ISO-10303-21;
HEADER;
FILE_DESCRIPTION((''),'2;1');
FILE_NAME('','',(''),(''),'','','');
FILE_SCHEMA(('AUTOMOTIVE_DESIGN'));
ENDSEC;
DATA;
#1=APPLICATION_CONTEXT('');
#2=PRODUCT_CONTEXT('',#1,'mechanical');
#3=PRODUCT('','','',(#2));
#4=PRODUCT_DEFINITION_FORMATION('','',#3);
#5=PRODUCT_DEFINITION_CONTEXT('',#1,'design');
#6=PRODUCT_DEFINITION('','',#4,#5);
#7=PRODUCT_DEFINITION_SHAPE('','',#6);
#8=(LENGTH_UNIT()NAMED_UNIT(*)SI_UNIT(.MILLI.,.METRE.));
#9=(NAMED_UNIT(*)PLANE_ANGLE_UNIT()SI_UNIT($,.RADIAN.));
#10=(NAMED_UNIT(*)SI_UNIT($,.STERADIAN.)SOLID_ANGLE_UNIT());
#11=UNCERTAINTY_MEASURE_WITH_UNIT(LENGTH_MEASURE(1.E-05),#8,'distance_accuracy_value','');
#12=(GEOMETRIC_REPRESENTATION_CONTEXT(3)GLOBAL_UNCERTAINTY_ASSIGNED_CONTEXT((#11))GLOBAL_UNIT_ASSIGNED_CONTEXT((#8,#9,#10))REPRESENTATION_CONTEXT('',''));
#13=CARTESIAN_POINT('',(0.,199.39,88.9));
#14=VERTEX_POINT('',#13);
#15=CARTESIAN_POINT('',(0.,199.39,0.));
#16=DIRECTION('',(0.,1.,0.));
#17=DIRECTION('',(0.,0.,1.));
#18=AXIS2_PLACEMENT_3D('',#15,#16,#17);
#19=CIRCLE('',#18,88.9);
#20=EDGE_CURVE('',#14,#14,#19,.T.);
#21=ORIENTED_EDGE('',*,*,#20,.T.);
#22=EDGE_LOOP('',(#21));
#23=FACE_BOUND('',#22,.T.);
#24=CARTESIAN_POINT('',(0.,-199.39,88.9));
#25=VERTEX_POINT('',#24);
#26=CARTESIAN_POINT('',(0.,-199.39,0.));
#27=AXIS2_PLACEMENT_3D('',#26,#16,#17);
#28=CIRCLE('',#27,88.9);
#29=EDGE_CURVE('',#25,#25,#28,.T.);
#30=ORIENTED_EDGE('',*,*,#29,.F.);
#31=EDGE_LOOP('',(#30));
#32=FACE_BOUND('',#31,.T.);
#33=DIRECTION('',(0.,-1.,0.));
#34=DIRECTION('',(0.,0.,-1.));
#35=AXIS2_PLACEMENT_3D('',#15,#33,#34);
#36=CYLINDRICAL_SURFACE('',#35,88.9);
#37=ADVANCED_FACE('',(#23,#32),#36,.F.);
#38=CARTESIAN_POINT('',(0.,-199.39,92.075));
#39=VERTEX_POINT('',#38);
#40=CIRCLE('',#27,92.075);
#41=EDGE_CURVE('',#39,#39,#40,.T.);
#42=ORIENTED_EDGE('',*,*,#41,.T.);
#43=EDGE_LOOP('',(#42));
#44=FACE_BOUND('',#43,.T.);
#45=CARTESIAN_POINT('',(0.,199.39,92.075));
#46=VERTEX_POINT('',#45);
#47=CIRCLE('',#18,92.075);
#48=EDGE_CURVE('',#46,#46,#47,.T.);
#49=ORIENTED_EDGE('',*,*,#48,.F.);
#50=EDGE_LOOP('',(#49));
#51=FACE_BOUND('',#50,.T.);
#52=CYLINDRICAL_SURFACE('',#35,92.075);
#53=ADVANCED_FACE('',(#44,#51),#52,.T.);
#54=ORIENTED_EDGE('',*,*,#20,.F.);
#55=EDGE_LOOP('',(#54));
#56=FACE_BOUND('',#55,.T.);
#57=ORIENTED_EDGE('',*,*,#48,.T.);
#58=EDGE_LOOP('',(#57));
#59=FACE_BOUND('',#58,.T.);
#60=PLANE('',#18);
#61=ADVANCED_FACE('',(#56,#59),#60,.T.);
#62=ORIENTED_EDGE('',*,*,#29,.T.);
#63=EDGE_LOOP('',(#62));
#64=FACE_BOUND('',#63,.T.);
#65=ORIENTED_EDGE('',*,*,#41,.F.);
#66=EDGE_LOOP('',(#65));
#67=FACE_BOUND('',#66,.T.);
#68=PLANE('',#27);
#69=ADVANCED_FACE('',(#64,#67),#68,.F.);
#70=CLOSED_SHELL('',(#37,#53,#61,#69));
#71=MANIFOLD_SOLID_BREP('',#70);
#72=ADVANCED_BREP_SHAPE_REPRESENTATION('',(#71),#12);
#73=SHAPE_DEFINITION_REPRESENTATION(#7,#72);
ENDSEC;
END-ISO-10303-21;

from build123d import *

# Parameters (mm, degrees)
SKETCH1_R           = 92.075
SKETCH1_R_2         = 88.9
BOSS_EXTRUDE1_DEPTH = 199.39


with BuildPart() as part:
    # Sketch1 → Boss-Extrude1 (new, symmetric)
    with BuildSketch(Plane(origin=(0, 0, 0), x_dir=(1, 0, 0), z_dir=(0, 1, 0))):
        with Locations(Location((0, 0, 0), (0, 0, 270))):
            Circle(SKETCH1_R)
        with Locations(Location((0, 0, 0), (0, 0, 270))):
            Circle(SKETCH1_R_2, mode=Mode.SUBTRACT)
    extrude(amount=BOSS_EXTRUDE1_DEPTH, both=True)


solid = part.part
